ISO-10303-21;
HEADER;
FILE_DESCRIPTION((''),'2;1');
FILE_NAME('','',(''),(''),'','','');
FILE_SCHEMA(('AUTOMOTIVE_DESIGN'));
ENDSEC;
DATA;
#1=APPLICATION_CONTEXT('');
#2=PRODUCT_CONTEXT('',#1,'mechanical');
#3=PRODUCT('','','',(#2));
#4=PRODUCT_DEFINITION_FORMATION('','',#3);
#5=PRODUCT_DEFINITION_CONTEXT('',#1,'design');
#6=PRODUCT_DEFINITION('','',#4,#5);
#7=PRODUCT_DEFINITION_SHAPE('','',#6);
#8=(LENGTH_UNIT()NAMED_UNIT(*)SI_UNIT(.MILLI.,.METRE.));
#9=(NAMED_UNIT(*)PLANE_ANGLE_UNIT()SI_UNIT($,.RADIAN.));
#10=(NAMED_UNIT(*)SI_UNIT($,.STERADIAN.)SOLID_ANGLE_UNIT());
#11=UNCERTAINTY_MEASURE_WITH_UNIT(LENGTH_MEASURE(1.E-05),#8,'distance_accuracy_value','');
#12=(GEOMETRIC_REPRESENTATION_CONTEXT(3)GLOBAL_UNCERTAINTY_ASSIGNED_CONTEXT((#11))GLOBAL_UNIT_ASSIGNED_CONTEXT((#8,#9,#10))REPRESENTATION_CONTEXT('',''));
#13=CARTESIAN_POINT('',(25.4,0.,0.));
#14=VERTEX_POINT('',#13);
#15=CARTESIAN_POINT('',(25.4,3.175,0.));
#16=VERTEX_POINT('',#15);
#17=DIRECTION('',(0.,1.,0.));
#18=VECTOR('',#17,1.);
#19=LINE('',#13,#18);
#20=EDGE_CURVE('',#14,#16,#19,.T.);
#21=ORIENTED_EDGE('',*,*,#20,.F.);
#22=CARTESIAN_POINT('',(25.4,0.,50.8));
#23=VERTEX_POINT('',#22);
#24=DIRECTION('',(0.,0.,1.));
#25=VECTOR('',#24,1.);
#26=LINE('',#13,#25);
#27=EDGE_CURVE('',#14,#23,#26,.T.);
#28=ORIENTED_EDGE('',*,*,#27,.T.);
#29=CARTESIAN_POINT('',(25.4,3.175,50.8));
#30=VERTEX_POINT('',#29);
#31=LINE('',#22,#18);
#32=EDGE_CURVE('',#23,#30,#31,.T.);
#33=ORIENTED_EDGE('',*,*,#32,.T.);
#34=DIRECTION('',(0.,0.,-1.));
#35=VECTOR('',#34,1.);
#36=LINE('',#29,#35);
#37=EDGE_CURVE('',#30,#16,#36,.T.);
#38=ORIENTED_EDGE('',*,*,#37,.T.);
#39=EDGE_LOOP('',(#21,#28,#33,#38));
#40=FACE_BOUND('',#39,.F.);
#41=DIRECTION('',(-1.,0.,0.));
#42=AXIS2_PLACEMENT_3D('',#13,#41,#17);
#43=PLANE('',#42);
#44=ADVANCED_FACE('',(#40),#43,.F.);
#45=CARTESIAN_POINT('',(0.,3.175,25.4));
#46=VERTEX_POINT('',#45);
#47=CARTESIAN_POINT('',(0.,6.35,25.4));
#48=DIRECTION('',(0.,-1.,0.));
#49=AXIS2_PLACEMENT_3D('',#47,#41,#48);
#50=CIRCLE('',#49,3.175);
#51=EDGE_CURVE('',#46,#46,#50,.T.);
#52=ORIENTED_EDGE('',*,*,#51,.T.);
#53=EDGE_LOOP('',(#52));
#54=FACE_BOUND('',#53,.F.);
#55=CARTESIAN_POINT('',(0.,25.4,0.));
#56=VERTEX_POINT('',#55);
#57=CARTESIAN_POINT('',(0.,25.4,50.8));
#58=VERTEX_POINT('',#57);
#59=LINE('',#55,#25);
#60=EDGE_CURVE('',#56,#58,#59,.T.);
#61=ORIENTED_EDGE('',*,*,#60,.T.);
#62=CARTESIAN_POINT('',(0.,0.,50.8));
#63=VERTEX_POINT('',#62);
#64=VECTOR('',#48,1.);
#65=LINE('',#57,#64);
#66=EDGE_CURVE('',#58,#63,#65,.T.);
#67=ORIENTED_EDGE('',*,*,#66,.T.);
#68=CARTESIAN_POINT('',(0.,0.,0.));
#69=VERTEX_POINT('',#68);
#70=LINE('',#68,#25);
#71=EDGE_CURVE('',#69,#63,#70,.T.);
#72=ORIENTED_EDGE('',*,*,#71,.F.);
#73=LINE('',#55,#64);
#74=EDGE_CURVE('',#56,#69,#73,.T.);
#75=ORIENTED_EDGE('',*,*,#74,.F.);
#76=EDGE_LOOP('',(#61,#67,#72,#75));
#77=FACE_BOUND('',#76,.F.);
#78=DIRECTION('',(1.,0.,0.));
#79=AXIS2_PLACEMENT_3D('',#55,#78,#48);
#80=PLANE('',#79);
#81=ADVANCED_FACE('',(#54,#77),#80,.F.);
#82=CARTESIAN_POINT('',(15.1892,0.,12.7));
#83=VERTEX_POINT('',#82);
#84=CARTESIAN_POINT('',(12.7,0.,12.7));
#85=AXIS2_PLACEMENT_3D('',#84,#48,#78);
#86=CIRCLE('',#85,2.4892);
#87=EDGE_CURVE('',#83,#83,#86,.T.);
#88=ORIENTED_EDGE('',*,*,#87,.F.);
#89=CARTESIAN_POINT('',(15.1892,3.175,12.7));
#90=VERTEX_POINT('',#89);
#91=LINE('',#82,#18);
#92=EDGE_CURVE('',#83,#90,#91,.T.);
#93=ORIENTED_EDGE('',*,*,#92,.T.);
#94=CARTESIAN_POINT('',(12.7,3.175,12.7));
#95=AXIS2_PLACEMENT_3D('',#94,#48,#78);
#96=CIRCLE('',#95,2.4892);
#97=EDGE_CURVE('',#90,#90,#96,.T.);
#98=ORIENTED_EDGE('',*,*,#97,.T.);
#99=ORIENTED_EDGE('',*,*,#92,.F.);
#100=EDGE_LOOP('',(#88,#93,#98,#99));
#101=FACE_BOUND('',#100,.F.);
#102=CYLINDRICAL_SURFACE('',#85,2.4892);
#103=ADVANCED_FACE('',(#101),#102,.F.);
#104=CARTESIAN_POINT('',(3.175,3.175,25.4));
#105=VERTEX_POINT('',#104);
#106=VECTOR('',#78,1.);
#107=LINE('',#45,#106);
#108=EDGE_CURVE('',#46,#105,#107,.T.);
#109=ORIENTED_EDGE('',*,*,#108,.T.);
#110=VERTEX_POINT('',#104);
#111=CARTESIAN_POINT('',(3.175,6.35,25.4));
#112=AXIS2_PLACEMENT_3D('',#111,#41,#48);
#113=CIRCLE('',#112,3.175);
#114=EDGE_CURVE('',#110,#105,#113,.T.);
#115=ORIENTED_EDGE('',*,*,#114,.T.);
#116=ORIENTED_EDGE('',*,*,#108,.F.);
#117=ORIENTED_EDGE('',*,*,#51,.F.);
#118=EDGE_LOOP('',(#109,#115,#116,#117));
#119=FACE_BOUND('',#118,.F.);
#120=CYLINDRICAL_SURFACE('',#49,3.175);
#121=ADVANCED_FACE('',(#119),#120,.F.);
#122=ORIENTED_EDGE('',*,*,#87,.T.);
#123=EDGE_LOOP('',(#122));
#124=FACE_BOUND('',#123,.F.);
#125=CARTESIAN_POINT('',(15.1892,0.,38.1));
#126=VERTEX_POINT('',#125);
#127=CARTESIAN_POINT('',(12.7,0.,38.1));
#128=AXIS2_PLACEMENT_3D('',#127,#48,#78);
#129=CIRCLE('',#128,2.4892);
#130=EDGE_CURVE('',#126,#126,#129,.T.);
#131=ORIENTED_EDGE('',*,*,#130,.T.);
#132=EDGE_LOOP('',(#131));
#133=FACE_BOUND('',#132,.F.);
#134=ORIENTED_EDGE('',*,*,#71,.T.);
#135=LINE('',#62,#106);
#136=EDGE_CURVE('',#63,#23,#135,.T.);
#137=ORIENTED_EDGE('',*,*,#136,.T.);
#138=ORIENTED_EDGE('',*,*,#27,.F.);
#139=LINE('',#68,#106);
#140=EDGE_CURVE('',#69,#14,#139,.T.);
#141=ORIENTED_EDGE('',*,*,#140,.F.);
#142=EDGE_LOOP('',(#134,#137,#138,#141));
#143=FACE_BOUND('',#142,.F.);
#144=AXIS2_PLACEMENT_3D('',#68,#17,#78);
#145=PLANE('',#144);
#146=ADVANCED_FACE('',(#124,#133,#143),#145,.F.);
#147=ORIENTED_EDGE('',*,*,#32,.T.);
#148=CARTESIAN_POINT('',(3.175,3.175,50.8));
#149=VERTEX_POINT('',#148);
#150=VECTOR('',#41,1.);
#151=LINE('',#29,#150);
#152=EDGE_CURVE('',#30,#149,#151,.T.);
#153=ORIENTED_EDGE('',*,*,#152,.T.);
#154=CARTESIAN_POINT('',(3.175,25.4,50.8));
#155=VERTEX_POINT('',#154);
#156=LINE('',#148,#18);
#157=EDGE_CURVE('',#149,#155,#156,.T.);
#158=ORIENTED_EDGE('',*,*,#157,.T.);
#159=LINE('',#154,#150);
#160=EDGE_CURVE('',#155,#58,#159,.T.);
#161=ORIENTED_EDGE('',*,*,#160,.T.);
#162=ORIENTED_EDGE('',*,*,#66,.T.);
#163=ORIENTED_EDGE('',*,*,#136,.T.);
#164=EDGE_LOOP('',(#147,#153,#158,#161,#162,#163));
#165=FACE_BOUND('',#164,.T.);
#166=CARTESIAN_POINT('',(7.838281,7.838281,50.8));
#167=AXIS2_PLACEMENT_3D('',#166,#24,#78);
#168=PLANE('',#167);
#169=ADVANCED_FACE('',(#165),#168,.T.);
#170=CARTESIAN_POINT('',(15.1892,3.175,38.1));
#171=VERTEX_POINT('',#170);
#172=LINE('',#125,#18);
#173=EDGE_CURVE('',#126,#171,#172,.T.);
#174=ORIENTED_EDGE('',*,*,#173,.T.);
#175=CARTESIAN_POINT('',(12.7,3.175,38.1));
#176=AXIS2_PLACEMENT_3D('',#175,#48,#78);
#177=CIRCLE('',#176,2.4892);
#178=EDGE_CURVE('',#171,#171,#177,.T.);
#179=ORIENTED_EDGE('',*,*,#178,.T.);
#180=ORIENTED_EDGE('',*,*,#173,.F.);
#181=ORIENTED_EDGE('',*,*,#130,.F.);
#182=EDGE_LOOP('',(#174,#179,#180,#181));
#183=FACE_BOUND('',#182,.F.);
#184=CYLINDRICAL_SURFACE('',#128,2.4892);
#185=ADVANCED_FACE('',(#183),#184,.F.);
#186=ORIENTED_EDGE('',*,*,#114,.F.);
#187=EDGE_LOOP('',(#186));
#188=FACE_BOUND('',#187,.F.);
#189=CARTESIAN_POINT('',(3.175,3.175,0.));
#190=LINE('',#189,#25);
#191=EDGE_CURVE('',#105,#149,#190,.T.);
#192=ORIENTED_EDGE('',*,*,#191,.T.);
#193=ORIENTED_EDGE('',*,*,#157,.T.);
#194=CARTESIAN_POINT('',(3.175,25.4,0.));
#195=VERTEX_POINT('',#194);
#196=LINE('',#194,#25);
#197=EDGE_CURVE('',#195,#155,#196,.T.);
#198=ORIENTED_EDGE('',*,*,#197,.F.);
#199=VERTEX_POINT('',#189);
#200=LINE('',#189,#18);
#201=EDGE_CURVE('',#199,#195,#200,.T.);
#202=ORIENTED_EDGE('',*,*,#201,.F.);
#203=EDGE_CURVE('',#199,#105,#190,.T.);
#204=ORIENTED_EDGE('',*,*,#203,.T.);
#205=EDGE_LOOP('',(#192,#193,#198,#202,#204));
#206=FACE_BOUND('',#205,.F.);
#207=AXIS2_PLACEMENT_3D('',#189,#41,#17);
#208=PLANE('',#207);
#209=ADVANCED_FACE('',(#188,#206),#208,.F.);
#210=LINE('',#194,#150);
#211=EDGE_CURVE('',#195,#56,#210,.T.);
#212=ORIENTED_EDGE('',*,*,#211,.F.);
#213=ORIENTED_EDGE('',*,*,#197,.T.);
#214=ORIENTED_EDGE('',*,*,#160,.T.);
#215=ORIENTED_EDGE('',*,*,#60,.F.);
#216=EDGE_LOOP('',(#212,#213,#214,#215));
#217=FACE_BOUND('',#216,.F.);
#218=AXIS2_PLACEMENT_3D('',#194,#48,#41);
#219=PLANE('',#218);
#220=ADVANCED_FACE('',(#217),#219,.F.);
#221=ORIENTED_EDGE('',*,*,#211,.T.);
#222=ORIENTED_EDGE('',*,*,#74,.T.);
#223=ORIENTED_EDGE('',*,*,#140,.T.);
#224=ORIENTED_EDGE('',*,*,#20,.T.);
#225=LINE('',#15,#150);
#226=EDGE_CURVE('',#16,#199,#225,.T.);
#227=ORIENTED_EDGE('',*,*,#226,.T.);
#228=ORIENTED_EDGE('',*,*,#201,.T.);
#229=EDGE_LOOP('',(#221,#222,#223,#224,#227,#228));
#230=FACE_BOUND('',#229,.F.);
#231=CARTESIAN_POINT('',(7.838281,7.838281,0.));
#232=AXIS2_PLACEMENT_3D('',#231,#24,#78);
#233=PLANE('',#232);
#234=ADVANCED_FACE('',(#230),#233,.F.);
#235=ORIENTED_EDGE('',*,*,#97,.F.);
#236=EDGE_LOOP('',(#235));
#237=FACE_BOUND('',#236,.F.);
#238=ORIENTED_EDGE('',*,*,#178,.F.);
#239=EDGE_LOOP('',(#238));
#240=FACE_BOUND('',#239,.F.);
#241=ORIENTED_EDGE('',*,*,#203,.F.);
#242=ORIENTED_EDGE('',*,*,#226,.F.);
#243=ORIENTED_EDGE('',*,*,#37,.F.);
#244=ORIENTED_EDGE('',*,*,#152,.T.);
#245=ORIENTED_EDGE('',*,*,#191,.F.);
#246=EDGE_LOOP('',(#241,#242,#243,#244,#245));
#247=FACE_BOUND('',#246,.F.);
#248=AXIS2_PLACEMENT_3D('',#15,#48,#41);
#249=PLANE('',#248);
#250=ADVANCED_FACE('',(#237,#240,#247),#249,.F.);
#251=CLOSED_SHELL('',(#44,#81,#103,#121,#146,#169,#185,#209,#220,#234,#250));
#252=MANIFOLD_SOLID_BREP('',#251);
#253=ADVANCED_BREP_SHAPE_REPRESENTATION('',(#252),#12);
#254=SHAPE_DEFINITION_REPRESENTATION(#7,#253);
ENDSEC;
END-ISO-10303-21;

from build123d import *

# Parameters (mm, degrees)
F1_DEPTH = 50.8
F2_R     = 2.4892
F3_DEPTH = 25.401
F4_R     = 3.175
F5_DEPTH = 25.401


with BuildPart() as f1:
    # F0 (on Top) → F1 (new body)
    with BuildSketch(Plane.XY):
        Polygon((3.175, 25.4), (0, 25.4), (0, 0), (25.4, 0), (25.4, 3.175), (3.175, 3.175), align=None)
    extrude(amount=F1_DEPTH)

    # F2 (on face) → F3 (cut, through all)
    with BuildSketch(Plane.XZ):
        with Locations((12.7, 38.1)):
            Circle(F2_R)
        with Locations((12.7, 12.7)):
            Circle(F2_R)
    extrude(amount=-F3_DEPTH, mode=Mode.SUBTRACT)

    # F4 (on face) → F5 (cut, through all)
    with BuildSketch(Plane(origin=(0, 0, 0), x_dir=(0, -1, 0), z_dir=(-1, 0, 0))):
        with Locations((-6.35, 25.4)):
            Circle(F4_R)
    extrude(amount=-F5_DEPTH, mode=Mode.SUBTRACT)


solid = f1.part
